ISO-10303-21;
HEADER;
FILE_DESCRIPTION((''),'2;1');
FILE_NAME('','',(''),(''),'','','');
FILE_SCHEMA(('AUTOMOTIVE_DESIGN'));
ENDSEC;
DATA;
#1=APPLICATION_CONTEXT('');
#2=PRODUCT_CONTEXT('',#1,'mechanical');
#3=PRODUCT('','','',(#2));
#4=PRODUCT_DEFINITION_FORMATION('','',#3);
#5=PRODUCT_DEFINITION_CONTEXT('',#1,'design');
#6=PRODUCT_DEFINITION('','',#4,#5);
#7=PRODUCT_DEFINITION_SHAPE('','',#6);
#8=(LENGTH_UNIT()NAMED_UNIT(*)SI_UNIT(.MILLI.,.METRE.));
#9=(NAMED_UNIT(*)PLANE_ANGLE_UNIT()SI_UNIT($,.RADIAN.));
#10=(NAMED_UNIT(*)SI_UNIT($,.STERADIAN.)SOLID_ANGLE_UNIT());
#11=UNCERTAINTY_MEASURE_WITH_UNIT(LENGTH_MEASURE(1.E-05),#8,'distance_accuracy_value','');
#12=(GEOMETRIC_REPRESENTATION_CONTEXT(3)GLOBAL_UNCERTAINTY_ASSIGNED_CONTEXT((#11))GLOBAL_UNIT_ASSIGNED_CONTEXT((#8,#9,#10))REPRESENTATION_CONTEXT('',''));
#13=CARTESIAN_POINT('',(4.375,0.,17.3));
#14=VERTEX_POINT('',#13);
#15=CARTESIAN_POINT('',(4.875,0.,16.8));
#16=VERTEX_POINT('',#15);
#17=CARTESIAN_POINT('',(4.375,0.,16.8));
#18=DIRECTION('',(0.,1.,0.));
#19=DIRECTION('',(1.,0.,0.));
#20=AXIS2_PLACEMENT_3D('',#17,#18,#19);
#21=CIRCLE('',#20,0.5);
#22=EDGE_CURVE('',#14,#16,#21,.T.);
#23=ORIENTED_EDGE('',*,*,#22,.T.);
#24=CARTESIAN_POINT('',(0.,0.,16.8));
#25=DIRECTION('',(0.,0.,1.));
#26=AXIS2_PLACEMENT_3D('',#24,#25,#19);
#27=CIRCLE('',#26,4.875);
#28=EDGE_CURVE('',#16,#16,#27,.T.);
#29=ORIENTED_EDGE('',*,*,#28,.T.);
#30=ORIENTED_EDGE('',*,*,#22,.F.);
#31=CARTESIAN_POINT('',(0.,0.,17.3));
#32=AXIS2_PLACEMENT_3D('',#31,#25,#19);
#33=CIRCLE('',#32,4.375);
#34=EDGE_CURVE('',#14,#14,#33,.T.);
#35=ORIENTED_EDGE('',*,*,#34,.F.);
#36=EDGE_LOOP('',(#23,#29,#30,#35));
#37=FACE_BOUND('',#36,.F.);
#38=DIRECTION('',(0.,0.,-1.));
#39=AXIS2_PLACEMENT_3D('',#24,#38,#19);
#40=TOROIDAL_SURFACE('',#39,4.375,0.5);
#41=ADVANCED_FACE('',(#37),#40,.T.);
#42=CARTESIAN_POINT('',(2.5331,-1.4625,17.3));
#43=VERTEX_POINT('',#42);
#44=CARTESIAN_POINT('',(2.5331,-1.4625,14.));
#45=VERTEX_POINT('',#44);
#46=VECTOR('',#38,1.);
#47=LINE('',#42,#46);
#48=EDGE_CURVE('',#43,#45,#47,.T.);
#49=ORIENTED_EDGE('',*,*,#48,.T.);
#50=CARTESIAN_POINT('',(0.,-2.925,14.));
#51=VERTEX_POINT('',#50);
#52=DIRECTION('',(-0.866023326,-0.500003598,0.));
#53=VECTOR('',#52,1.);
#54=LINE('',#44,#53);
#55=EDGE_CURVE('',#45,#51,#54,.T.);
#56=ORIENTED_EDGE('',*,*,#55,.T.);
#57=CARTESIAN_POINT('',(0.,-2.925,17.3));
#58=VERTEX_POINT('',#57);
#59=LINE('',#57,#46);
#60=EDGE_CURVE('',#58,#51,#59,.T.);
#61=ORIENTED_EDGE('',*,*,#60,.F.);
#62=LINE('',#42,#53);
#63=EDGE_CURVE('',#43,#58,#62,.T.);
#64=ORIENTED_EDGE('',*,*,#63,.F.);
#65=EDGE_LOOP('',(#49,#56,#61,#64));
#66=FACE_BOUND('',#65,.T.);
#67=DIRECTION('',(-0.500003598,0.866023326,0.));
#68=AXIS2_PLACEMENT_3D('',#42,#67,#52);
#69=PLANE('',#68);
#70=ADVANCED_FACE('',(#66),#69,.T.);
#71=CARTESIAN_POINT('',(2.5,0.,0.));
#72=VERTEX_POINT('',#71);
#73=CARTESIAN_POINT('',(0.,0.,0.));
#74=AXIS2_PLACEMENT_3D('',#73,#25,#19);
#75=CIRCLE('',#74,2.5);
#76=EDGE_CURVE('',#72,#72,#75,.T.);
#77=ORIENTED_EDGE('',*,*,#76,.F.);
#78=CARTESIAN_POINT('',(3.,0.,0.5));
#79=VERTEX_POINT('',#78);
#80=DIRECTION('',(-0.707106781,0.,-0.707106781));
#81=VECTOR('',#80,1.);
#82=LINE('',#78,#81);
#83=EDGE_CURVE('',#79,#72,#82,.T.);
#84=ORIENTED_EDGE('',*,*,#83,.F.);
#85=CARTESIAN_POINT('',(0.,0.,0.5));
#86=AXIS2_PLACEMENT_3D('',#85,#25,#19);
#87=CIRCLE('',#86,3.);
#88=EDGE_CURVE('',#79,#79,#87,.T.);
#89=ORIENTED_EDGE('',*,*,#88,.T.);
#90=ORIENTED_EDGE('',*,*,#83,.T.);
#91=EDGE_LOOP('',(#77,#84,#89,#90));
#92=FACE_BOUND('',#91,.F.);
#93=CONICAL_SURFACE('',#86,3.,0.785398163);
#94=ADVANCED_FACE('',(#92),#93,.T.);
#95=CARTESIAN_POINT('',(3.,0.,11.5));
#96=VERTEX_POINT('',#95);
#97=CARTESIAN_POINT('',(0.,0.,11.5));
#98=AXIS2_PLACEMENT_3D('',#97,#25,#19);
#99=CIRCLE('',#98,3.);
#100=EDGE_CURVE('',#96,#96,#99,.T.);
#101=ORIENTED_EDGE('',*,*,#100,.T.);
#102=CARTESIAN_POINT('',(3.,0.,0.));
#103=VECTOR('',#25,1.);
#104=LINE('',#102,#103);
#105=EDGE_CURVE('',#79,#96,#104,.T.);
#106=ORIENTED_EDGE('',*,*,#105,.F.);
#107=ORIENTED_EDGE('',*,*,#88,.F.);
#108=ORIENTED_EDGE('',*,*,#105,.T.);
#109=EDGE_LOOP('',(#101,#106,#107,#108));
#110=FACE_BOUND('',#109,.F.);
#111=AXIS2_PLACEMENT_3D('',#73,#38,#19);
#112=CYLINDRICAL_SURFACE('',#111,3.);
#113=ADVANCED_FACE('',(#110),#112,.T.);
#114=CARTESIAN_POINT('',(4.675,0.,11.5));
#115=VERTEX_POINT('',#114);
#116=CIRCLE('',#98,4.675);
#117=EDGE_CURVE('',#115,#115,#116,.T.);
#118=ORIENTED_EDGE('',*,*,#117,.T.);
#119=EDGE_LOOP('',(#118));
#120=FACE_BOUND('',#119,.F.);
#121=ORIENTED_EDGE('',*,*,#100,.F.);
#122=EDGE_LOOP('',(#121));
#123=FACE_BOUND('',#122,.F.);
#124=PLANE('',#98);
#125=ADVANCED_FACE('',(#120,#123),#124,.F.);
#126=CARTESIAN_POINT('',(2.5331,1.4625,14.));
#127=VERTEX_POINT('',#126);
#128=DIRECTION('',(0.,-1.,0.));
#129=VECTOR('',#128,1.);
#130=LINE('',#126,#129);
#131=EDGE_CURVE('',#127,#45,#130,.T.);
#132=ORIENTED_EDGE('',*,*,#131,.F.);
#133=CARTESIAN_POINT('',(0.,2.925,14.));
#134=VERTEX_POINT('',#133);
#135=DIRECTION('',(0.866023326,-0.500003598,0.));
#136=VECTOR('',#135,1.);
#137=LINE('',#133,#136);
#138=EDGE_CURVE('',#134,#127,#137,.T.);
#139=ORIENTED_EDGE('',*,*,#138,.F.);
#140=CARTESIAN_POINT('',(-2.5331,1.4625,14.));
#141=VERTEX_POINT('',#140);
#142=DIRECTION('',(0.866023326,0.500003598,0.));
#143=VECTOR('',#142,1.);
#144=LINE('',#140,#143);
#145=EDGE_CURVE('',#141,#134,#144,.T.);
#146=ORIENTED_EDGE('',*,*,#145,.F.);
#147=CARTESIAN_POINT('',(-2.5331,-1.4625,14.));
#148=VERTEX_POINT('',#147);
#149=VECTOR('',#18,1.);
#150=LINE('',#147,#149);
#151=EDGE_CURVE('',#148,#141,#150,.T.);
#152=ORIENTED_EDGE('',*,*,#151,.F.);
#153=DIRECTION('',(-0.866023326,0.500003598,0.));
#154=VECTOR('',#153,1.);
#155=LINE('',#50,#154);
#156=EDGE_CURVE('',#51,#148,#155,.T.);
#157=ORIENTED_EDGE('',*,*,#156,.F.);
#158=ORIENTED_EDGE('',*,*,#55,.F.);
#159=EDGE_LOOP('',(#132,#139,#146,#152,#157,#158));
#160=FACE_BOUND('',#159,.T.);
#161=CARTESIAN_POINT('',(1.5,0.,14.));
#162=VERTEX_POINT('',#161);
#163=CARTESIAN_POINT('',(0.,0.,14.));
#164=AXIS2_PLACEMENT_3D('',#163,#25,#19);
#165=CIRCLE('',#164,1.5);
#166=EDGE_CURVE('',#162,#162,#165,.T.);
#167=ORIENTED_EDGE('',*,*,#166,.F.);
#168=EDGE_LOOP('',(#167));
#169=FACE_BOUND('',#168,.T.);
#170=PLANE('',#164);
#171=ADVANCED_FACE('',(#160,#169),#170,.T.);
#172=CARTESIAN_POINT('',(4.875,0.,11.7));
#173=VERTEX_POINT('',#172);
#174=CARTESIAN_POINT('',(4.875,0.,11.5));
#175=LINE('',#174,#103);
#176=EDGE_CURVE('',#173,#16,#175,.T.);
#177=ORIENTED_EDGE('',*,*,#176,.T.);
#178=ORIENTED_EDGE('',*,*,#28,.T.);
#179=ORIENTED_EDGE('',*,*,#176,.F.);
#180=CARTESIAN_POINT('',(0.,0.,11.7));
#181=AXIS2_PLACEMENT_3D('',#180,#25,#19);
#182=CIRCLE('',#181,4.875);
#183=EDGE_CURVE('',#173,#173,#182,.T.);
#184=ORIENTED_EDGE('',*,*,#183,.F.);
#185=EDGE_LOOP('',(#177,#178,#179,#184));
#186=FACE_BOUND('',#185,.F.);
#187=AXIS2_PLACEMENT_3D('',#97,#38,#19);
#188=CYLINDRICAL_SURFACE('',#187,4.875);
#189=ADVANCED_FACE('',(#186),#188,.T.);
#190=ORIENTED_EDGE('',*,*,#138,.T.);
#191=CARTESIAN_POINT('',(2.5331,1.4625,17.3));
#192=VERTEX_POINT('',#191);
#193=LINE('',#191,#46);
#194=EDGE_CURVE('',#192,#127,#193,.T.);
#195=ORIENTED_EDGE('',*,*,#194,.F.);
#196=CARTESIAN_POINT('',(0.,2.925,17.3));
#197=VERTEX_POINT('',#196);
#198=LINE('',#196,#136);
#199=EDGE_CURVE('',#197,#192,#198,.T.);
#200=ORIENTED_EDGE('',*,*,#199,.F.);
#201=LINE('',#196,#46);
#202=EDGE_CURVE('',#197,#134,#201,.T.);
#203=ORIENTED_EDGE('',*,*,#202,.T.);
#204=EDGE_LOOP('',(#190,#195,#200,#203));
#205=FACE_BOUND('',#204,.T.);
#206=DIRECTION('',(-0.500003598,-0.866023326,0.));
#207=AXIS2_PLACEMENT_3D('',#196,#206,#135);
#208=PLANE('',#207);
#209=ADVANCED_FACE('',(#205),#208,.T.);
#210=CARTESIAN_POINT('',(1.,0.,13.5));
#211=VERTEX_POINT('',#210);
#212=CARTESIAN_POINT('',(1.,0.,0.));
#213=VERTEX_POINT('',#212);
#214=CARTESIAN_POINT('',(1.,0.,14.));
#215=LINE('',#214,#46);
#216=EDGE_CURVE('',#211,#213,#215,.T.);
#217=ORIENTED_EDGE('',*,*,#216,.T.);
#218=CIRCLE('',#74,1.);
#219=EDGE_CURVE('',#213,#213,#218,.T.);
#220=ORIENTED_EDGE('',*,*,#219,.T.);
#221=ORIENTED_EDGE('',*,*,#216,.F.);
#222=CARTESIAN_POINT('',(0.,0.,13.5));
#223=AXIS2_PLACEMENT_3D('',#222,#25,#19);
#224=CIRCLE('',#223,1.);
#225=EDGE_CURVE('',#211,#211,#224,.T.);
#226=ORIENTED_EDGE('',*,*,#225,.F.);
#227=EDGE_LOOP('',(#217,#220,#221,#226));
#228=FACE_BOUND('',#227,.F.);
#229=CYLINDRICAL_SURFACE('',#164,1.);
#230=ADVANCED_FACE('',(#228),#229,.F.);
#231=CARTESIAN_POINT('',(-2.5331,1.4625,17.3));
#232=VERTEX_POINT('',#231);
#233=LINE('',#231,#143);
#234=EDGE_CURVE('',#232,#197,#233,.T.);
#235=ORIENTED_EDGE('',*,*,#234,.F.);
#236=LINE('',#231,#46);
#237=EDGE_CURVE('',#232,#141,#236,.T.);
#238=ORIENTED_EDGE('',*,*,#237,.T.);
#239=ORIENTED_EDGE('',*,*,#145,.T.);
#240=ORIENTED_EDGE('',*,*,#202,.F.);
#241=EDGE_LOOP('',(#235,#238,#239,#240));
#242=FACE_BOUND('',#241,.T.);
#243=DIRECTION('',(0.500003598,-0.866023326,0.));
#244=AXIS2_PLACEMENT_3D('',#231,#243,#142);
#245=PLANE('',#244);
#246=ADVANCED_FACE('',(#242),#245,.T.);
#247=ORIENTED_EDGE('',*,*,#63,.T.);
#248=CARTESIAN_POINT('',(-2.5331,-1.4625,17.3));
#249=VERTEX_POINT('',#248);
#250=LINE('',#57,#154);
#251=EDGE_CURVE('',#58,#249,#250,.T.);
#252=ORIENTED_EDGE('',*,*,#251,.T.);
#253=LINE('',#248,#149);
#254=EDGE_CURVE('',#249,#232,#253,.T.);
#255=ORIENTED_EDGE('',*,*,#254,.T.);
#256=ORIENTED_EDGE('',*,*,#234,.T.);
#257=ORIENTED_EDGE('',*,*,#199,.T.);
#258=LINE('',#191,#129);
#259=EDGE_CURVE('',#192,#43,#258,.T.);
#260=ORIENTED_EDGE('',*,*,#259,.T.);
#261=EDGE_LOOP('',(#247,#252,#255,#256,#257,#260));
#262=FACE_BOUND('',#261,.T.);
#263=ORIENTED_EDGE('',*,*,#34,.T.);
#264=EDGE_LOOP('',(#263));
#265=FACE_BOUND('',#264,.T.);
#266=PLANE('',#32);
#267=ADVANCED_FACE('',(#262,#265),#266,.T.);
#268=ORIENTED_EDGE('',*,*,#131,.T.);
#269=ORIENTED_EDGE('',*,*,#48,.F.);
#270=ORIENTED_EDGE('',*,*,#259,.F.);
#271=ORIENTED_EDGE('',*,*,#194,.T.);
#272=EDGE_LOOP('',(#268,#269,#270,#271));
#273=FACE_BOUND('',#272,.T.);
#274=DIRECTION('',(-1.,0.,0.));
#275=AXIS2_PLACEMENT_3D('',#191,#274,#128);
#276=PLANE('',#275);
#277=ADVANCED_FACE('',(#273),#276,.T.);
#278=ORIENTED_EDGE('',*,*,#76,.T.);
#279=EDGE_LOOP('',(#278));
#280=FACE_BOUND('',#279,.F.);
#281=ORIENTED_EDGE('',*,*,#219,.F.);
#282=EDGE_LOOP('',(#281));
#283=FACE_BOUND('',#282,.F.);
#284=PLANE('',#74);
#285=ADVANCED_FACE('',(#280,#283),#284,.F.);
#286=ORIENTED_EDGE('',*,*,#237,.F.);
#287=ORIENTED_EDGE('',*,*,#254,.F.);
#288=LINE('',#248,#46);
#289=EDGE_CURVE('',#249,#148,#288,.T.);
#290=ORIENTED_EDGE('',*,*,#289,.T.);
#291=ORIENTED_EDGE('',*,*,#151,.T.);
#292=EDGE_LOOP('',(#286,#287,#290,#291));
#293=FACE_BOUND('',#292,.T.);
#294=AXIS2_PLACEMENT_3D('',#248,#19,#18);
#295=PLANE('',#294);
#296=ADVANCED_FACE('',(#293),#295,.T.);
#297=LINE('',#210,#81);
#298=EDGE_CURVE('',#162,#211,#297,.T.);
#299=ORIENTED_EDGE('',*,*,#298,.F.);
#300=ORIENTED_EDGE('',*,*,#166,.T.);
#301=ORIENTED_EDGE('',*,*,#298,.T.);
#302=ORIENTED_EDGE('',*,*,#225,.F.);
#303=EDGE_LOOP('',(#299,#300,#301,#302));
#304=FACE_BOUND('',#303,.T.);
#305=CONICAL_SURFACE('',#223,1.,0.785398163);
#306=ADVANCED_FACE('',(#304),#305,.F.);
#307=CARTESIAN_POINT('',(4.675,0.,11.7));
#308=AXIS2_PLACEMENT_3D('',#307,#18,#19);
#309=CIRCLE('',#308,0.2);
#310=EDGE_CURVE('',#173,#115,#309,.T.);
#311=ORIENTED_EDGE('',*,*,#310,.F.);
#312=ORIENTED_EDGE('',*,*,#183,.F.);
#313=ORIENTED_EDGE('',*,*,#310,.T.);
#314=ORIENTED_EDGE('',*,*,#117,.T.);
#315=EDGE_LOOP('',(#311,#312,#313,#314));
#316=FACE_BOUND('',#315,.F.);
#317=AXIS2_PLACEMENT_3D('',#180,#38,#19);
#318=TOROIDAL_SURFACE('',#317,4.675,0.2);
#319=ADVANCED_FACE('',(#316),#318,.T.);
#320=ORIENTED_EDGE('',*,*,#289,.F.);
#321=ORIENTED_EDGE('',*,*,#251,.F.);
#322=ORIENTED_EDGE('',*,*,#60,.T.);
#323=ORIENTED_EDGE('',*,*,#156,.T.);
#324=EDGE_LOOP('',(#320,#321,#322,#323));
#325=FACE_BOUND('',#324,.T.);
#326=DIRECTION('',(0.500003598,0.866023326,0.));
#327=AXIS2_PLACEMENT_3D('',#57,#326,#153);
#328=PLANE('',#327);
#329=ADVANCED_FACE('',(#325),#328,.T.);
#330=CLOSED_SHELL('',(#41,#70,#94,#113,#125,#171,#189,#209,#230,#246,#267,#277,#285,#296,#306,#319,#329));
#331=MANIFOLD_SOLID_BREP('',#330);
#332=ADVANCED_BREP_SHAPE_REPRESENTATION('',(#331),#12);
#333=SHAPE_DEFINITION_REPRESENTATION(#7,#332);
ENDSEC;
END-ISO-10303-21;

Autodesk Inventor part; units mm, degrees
ref_plane "YZ Plane" through (0, 0, 0) normal (1, 0, 0) x (0, 1, 0)
ref_plane "XZ Plane" through (0, 0, 0) normal (0, 1, 0) x (-1, 0, 0)
ref_plane "XY Plane" through (0, 0, 0) normal (0, 0, 1) x (1, 0, 0)
sketch "Sketch1" plane through (0, 0, 0) normal (0, 0, 1) x (1, 0, 0)
  circle A0 centre (0, 0) radius 3
  dimension "d0" = 6
extrude "Extrusion1" add sketch "Sketch1" along normal blind 11.5
sketch "Sketch2" plane through (0, 0, 11.5) normal (0, 0, 1) x (1, 0, 0)
  circle A0 centre (0, 0) radius 4.875
  dimension "d3" = 9.75
extrude "Extrusion2" add sketch "Sketch2" along normal blind 5.8
sketch "Sketch3" plane through (0, 0, 17.3) normal (0, 0, 1) x (1, 0, 0)
  line L0 (2.5331, -1.4625) -> (0, -2.925)
  line L1 (0, -2.925) -> (-2.5331, -1.4625)
  line L2 (-2.5331, -1.4625) -> (-2.5331, 1.4625)
  line L3 (-2.5331, 1.4625) -> (0, 2.925)
  line L4 (0, 2.925) -> (2.5331, 1.4625)
  line L5 (2.5331, 1.4625) -> (2.5331, -1.4625)
  point P0 (0, 0)
  point P1 (0, 0)
  point P2 (2.5331, 0)
  dimension "d6" = 5.85
extrude "Extrusion3" cut sketch "Sketch3" against normal blind 3.3
sketch "Sketch4" plane through (0, 0, 14) normal (0, 0, 1) x (1, 0, 0)
  circle A0 centre (0, 0) radius 1
  dimension "d9" = 2
extrude "Extrusion4" cut sketch "Sketch4" against normal through all
chamfer "Chamfer1" distance 0.5 angle 45 1 edges at (-1, 0, 14)
fillet "Fillet1" radius 0.5 1 edges at (-4.875, 0, 17.3)
fillet "Fillet2" radius 0.2 1 edges at (-4.875, 0, 11.5)
thread "Thread1" size "M6x1" class "6g" standard "ISO Metric profile" full length
chamfer "Chamfer2" distance 0.5 angle 45 1 edges at (-3, 0, 0)
properties part number "fillament guide screw" material "Steel, Alloy"
